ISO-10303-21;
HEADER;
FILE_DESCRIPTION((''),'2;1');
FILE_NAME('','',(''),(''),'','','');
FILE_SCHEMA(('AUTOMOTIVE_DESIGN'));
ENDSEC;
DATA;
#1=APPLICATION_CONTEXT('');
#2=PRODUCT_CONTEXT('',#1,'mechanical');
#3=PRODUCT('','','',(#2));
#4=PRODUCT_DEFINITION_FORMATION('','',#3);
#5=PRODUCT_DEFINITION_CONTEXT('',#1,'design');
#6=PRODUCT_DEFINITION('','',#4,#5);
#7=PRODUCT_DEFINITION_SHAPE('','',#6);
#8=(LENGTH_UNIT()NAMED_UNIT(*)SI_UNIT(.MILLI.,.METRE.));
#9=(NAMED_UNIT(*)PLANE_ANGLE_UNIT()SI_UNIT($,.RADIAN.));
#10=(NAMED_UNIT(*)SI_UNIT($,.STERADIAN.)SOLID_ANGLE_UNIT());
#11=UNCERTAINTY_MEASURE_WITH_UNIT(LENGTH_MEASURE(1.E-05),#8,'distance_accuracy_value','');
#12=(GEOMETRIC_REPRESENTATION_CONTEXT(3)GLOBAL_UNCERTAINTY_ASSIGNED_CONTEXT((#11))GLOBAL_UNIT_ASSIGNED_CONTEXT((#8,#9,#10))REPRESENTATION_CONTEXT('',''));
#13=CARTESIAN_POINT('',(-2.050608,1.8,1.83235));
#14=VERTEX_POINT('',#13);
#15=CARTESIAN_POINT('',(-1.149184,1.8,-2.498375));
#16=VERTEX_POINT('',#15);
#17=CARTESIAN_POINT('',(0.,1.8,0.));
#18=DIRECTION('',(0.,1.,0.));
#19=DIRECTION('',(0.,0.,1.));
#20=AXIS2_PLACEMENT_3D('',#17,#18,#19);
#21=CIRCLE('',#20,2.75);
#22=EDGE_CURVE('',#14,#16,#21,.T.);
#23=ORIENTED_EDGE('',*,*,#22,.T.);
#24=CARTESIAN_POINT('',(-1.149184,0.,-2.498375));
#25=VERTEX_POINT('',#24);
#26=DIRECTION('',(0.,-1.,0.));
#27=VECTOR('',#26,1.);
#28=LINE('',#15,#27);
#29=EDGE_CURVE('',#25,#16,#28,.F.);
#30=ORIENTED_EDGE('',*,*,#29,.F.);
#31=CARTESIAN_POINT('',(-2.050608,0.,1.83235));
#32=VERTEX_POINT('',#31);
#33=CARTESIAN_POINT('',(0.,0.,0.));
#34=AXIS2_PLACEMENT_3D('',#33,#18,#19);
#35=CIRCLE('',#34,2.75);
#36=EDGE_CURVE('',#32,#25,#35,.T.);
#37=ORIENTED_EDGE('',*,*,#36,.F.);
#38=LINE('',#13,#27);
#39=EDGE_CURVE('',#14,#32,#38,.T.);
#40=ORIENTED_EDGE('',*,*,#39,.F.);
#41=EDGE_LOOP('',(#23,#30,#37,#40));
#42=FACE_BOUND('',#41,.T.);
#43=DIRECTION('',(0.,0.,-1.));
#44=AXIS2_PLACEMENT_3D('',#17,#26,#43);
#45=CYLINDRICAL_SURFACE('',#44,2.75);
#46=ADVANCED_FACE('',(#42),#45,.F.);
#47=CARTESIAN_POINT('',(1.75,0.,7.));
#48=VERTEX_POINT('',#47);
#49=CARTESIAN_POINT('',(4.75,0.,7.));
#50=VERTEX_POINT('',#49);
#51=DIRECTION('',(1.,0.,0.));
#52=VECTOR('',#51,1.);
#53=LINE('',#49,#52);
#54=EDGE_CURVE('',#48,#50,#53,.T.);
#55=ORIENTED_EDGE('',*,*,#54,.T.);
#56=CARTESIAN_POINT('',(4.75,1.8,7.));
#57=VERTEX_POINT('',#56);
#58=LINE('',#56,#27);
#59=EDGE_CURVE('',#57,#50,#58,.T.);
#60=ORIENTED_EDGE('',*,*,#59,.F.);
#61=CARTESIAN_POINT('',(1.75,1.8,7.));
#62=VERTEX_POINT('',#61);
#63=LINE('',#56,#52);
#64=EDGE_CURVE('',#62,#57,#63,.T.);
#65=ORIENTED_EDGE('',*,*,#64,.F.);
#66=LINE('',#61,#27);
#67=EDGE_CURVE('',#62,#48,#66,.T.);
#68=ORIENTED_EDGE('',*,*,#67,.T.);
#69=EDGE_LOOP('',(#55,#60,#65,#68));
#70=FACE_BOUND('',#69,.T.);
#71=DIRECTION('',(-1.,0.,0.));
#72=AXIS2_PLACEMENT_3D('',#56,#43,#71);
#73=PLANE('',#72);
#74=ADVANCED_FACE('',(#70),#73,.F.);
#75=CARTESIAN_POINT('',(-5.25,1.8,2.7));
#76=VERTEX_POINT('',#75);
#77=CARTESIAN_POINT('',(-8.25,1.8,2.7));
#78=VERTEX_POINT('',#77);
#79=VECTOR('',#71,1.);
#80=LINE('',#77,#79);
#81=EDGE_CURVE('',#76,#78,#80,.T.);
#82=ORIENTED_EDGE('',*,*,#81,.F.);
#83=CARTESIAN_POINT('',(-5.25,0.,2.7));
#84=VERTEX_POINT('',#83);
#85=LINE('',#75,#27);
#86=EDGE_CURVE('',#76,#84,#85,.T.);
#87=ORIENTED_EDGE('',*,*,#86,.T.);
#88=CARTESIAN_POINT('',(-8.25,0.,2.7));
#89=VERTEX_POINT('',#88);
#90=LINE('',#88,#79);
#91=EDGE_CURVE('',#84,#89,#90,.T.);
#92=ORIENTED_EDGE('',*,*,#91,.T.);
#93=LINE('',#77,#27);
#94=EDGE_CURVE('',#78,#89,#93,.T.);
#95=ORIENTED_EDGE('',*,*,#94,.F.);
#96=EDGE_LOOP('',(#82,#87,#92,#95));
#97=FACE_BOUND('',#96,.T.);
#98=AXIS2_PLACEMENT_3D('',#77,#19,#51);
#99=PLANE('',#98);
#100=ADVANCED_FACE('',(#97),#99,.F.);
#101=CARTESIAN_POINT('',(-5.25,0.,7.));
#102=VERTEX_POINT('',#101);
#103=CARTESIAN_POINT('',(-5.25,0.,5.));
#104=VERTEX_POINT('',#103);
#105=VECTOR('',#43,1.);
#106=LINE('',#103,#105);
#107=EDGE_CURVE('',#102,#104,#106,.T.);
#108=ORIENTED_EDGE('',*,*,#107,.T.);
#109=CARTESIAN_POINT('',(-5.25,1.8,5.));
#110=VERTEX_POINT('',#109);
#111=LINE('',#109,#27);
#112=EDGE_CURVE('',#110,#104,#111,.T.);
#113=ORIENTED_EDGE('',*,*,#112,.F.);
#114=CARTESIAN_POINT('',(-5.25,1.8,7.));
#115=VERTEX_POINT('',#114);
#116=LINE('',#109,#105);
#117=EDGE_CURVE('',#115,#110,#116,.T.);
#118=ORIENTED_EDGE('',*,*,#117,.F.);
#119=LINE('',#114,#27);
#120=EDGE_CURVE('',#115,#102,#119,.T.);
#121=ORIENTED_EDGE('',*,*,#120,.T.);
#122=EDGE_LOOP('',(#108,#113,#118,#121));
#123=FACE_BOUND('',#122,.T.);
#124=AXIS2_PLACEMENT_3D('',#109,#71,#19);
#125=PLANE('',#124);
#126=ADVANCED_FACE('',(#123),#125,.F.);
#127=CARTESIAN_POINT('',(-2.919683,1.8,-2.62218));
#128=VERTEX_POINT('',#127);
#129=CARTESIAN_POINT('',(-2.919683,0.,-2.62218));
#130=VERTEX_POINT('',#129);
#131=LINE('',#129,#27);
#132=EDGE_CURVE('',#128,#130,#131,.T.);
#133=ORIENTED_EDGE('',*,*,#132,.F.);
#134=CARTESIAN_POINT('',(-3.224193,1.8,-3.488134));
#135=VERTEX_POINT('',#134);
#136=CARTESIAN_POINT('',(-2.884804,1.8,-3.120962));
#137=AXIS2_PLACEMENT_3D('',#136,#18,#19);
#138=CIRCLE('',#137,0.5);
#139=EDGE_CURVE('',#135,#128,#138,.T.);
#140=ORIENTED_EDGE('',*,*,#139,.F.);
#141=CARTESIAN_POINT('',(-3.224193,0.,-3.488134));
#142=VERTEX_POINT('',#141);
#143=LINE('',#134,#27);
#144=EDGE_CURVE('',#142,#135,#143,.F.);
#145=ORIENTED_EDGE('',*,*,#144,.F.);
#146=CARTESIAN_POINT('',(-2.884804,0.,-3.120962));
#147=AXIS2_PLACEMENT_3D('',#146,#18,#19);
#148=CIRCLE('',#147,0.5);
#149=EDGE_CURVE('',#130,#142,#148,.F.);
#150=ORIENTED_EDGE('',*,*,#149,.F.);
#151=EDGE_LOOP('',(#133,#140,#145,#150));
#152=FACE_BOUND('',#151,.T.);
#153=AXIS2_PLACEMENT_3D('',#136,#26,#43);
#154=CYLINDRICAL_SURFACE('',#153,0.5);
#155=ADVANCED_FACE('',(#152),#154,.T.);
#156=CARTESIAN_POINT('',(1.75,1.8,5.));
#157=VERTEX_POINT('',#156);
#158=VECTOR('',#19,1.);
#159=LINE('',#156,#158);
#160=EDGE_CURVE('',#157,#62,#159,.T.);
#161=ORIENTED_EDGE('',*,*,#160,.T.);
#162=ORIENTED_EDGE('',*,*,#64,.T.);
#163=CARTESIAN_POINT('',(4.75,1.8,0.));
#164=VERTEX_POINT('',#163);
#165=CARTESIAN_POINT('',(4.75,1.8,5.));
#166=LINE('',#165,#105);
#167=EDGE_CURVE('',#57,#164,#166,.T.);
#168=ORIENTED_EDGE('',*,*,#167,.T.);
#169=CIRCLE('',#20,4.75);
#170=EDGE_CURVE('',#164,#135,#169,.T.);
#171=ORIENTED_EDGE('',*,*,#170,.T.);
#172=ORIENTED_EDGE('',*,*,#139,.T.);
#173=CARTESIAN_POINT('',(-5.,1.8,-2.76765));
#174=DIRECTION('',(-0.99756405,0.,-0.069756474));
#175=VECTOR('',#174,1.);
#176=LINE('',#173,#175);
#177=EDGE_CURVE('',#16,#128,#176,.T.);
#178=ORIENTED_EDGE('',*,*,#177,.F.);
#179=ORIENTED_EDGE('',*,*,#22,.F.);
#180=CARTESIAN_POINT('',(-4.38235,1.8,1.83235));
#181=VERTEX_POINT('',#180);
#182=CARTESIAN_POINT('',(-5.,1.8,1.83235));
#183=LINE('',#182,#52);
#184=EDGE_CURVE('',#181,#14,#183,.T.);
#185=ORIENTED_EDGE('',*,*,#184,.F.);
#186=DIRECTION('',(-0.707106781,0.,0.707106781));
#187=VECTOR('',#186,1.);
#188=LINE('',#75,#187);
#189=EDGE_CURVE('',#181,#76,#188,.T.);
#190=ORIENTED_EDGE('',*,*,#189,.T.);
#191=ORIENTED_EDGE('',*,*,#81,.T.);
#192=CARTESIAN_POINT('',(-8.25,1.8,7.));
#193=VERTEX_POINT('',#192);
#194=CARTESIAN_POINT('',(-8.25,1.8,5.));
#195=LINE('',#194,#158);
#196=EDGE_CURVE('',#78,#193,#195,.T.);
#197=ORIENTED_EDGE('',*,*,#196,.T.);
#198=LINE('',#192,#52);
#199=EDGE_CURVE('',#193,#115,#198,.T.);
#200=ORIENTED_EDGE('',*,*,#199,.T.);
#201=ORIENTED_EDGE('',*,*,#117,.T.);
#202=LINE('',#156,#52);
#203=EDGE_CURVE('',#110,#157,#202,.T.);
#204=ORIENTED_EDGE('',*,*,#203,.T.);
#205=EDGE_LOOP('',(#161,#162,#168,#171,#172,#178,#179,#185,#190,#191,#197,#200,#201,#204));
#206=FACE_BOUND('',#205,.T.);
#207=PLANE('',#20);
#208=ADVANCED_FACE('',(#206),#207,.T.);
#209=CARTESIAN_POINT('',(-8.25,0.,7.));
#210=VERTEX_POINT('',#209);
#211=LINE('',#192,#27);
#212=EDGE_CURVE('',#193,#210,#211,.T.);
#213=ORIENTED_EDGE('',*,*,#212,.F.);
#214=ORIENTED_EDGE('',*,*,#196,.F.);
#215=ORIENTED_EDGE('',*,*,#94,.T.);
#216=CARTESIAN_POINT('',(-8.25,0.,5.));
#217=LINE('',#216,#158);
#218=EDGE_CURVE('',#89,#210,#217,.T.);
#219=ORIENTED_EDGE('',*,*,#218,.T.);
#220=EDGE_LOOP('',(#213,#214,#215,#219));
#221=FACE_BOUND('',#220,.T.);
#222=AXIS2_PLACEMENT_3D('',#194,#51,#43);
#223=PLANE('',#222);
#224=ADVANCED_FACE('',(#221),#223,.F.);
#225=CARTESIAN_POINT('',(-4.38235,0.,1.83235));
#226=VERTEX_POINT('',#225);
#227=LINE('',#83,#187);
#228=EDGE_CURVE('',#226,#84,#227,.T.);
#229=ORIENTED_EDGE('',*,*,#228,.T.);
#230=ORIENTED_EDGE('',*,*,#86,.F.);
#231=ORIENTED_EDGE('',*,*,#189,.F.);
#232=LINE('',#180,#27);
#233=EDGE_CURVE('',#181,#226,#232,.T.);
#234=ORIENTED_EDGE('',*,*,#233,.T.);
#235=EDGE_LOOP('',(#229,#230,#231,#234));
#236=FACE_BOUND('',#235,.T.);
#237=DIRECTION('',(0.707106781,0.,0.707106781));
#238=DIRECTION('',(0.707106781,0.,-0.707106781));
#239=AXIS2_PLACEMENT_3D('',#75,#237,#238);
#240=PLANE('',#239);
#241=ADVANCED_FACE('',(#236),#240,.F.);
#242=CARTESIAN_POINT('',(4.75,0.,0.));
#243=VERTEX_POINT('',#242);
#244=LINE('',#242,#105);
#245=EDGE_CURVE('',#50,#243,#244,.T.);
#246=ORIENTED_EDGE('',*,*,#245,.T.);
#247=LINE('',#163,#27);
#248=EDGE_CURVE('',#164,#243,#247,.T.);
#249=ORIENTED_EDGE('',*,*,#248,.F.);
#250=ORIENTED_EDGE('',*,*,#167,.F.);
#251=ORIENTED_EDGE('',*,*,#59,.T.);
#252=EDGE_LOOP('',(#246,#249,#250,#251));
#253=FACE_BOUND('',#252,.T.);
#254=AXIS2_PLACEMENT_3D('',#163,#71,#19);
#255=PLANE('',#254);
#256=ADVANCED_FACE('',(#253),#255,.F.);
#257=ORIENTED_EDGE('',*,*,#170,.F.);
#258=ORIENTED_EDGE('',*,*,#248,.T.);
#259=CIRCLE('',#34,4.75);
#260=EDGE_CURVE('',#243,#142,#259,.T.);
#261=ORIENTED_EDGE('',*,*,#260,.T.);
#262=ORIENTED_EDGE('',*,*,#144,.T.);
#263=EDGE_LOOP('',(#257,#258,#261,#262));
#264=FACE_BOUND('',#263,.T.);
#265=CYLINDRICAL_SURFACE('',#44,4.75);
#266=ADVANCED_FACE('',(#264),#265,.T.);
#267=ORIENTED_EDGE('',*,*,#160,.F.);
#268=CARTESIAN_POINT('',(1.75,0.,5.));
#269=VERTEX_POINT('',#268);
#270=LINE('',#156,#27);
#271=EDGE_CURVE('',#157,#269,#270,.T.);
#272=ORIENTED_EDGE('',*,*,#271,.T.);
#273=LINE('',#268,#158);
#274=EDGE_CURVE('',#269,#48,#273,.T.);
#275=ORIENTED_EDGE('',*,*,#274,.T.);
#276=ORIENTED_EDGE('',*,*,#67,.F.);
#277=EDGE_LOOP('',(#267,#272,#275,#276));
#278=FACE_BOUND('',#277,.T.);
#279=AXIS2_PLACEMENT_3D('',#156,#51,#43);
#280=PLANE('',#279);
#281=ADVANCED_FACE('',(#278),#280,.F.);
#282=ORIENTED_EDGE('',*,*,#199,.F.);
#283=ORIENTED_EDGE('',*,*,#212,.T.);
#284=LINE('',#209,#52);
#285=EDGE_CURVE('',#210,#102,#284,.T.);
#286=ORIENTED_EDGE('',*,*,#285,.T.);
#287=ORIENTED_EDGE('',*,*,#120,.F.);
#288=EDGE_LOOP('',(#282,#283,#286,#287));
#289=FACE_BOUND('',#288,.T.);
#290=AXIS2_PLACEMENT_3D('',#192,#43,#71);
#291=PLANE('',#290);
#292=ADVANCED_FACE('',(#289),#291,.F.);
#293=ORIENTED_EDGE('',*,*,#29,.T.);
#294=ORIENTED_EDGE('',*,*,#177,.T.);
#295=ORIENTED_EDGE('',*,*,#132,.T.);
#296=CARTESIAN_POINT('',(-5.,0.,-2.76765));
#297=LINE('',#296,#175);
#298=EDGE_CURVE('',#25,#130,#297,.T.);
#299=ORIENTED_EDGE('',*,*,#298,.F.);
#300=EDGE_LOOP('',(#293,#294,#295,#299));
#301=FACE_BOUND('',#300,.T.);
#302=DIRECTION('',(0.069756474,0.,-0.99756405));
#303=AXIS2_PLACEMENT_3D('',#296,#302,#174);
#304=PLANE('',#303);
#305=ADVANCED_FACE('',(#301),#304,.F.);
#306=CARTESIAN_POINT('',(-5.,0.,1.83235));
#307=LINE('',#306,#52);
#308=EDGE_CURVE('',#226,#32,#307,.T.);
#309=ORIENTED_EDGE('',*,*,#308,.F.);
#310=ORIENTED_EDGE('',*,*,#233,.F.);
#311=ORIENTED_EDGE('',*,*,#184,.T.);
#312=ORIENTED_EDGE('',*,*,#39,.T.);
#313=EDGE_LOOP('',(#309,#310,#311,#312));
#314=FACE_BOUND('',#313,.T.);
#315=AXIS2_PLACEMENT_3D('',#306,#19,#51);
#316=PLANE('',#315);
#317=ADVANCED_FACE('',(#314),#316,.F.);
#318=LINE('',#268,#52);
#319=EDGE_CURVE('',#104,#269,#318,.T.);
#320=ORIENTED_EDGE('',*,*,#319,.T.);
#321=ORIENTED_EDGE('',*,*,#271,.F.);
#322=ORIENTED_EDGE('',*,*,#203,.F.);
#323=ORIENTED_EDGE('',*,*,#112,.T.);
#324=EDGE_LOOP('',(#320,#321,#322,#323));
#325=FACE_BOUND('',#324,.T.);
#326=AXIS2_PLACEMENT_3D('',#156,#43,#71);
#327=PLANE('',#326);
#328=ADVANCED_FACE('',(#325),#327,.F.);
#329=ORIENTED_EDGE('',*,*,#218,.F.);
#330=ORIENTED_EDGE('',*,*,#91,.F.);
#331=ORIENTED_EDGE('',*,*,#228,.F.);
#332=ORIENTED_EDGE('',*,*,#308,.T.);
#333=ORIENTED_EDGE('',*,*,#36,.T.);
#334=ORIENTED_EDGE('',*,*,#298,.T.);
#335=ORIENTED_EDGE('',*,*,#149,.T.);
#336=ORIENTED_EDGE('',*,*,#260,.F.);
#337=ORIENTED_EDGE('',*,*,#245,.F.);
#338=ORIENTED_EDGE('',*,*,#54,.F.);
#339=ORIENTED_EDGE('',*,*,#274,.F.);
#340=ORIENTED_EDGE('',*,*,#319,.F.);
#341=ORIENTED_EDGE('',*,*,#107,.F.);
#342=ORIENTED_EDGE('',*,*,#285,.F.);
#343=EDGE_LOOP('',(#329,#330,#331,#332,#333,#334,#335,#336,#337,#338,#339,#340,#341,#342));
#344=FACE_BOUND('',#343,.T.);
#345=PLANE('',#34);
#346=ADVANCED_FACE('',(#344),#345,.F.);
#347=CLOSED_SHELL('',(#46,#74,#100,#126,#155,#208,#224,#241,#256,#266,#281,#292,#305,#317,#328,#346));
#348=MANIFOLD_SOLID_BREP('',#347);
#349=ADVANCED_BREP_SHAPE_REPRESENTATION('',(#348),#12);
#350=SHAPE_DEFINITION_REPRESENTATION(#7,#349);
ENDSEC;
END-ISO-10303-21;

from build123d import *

# Parameters (mm, degrees)
SKETCH1_R           = 2.75
BOSS_EXTRUDE1_DEPTH = 1.8
CUT_EXTRUDE1_DEPTH  = 1.8
FILLET1_R           = 0.5


with BuildPart() as part:
    # Sketch1 → Boss-Extrude1 (new body)
    with BuildSketch(Plane(origin=(0, 0, 0), x_dir=(1, 0, 0), z_dir=(0, 1, 0))):
        with BuildLine():
            Line((4.75, 0), (4.75, -5))
            Line((4.75, -5), (4.75, -7))
            Line((4.75, -7), (1.75, -7))
            Line((1.75, -7), (1.75, -5))
            Line((1.75, -5), (-5.25, -5))
            Line((-5.25, -5), (-5.25, -7))
            Line((-5.25, -7), (-8.25, -7))
            Line((-8.25, -7), (-8.25, -5))
            Line((-8.25, -5), (-8.25, -2.7))
            Line((-8.25, -2.7), (-5.25, -2.7))
            Line((-5.25, -2.7), (-4.382350157, -1.832350157))
            ThreePointArc((-4.382350157, -1.832350157), (-0.93443479, 4.657180652), (4.75, 0))
        make_face()
        Circle(SKETCH1_R, mode=Mode.SUBTRACT)
    extrude(amount=BOSS_EXTRUDE1_DEPTH)

    # Sketch2 → Cut-Extrude1 (cut)
    with BuildSketch(Plane(origin=(0, 1.8, 0), x_dir=(1, 0, 0), z_dir=(0, 1, 0))):
        Polygon((-5, 2.767649843), (0, 2.418015783), (0, -1.832350157), (-5, -1.832350157), align=None)
    extrude(amount=-CUT_EXTRUDE1_DEPTH, mode=Mode.SUBTRACT)

    # Fillet1
    fillet1_edges = [part.edges().sort_by_distance(p)[0] for p in [
        (-3.913732442, 0.9, -2.691690615),
    ]]
    fillet(fillet1_edges, radius=FILLET1_R)


solid = part.part
